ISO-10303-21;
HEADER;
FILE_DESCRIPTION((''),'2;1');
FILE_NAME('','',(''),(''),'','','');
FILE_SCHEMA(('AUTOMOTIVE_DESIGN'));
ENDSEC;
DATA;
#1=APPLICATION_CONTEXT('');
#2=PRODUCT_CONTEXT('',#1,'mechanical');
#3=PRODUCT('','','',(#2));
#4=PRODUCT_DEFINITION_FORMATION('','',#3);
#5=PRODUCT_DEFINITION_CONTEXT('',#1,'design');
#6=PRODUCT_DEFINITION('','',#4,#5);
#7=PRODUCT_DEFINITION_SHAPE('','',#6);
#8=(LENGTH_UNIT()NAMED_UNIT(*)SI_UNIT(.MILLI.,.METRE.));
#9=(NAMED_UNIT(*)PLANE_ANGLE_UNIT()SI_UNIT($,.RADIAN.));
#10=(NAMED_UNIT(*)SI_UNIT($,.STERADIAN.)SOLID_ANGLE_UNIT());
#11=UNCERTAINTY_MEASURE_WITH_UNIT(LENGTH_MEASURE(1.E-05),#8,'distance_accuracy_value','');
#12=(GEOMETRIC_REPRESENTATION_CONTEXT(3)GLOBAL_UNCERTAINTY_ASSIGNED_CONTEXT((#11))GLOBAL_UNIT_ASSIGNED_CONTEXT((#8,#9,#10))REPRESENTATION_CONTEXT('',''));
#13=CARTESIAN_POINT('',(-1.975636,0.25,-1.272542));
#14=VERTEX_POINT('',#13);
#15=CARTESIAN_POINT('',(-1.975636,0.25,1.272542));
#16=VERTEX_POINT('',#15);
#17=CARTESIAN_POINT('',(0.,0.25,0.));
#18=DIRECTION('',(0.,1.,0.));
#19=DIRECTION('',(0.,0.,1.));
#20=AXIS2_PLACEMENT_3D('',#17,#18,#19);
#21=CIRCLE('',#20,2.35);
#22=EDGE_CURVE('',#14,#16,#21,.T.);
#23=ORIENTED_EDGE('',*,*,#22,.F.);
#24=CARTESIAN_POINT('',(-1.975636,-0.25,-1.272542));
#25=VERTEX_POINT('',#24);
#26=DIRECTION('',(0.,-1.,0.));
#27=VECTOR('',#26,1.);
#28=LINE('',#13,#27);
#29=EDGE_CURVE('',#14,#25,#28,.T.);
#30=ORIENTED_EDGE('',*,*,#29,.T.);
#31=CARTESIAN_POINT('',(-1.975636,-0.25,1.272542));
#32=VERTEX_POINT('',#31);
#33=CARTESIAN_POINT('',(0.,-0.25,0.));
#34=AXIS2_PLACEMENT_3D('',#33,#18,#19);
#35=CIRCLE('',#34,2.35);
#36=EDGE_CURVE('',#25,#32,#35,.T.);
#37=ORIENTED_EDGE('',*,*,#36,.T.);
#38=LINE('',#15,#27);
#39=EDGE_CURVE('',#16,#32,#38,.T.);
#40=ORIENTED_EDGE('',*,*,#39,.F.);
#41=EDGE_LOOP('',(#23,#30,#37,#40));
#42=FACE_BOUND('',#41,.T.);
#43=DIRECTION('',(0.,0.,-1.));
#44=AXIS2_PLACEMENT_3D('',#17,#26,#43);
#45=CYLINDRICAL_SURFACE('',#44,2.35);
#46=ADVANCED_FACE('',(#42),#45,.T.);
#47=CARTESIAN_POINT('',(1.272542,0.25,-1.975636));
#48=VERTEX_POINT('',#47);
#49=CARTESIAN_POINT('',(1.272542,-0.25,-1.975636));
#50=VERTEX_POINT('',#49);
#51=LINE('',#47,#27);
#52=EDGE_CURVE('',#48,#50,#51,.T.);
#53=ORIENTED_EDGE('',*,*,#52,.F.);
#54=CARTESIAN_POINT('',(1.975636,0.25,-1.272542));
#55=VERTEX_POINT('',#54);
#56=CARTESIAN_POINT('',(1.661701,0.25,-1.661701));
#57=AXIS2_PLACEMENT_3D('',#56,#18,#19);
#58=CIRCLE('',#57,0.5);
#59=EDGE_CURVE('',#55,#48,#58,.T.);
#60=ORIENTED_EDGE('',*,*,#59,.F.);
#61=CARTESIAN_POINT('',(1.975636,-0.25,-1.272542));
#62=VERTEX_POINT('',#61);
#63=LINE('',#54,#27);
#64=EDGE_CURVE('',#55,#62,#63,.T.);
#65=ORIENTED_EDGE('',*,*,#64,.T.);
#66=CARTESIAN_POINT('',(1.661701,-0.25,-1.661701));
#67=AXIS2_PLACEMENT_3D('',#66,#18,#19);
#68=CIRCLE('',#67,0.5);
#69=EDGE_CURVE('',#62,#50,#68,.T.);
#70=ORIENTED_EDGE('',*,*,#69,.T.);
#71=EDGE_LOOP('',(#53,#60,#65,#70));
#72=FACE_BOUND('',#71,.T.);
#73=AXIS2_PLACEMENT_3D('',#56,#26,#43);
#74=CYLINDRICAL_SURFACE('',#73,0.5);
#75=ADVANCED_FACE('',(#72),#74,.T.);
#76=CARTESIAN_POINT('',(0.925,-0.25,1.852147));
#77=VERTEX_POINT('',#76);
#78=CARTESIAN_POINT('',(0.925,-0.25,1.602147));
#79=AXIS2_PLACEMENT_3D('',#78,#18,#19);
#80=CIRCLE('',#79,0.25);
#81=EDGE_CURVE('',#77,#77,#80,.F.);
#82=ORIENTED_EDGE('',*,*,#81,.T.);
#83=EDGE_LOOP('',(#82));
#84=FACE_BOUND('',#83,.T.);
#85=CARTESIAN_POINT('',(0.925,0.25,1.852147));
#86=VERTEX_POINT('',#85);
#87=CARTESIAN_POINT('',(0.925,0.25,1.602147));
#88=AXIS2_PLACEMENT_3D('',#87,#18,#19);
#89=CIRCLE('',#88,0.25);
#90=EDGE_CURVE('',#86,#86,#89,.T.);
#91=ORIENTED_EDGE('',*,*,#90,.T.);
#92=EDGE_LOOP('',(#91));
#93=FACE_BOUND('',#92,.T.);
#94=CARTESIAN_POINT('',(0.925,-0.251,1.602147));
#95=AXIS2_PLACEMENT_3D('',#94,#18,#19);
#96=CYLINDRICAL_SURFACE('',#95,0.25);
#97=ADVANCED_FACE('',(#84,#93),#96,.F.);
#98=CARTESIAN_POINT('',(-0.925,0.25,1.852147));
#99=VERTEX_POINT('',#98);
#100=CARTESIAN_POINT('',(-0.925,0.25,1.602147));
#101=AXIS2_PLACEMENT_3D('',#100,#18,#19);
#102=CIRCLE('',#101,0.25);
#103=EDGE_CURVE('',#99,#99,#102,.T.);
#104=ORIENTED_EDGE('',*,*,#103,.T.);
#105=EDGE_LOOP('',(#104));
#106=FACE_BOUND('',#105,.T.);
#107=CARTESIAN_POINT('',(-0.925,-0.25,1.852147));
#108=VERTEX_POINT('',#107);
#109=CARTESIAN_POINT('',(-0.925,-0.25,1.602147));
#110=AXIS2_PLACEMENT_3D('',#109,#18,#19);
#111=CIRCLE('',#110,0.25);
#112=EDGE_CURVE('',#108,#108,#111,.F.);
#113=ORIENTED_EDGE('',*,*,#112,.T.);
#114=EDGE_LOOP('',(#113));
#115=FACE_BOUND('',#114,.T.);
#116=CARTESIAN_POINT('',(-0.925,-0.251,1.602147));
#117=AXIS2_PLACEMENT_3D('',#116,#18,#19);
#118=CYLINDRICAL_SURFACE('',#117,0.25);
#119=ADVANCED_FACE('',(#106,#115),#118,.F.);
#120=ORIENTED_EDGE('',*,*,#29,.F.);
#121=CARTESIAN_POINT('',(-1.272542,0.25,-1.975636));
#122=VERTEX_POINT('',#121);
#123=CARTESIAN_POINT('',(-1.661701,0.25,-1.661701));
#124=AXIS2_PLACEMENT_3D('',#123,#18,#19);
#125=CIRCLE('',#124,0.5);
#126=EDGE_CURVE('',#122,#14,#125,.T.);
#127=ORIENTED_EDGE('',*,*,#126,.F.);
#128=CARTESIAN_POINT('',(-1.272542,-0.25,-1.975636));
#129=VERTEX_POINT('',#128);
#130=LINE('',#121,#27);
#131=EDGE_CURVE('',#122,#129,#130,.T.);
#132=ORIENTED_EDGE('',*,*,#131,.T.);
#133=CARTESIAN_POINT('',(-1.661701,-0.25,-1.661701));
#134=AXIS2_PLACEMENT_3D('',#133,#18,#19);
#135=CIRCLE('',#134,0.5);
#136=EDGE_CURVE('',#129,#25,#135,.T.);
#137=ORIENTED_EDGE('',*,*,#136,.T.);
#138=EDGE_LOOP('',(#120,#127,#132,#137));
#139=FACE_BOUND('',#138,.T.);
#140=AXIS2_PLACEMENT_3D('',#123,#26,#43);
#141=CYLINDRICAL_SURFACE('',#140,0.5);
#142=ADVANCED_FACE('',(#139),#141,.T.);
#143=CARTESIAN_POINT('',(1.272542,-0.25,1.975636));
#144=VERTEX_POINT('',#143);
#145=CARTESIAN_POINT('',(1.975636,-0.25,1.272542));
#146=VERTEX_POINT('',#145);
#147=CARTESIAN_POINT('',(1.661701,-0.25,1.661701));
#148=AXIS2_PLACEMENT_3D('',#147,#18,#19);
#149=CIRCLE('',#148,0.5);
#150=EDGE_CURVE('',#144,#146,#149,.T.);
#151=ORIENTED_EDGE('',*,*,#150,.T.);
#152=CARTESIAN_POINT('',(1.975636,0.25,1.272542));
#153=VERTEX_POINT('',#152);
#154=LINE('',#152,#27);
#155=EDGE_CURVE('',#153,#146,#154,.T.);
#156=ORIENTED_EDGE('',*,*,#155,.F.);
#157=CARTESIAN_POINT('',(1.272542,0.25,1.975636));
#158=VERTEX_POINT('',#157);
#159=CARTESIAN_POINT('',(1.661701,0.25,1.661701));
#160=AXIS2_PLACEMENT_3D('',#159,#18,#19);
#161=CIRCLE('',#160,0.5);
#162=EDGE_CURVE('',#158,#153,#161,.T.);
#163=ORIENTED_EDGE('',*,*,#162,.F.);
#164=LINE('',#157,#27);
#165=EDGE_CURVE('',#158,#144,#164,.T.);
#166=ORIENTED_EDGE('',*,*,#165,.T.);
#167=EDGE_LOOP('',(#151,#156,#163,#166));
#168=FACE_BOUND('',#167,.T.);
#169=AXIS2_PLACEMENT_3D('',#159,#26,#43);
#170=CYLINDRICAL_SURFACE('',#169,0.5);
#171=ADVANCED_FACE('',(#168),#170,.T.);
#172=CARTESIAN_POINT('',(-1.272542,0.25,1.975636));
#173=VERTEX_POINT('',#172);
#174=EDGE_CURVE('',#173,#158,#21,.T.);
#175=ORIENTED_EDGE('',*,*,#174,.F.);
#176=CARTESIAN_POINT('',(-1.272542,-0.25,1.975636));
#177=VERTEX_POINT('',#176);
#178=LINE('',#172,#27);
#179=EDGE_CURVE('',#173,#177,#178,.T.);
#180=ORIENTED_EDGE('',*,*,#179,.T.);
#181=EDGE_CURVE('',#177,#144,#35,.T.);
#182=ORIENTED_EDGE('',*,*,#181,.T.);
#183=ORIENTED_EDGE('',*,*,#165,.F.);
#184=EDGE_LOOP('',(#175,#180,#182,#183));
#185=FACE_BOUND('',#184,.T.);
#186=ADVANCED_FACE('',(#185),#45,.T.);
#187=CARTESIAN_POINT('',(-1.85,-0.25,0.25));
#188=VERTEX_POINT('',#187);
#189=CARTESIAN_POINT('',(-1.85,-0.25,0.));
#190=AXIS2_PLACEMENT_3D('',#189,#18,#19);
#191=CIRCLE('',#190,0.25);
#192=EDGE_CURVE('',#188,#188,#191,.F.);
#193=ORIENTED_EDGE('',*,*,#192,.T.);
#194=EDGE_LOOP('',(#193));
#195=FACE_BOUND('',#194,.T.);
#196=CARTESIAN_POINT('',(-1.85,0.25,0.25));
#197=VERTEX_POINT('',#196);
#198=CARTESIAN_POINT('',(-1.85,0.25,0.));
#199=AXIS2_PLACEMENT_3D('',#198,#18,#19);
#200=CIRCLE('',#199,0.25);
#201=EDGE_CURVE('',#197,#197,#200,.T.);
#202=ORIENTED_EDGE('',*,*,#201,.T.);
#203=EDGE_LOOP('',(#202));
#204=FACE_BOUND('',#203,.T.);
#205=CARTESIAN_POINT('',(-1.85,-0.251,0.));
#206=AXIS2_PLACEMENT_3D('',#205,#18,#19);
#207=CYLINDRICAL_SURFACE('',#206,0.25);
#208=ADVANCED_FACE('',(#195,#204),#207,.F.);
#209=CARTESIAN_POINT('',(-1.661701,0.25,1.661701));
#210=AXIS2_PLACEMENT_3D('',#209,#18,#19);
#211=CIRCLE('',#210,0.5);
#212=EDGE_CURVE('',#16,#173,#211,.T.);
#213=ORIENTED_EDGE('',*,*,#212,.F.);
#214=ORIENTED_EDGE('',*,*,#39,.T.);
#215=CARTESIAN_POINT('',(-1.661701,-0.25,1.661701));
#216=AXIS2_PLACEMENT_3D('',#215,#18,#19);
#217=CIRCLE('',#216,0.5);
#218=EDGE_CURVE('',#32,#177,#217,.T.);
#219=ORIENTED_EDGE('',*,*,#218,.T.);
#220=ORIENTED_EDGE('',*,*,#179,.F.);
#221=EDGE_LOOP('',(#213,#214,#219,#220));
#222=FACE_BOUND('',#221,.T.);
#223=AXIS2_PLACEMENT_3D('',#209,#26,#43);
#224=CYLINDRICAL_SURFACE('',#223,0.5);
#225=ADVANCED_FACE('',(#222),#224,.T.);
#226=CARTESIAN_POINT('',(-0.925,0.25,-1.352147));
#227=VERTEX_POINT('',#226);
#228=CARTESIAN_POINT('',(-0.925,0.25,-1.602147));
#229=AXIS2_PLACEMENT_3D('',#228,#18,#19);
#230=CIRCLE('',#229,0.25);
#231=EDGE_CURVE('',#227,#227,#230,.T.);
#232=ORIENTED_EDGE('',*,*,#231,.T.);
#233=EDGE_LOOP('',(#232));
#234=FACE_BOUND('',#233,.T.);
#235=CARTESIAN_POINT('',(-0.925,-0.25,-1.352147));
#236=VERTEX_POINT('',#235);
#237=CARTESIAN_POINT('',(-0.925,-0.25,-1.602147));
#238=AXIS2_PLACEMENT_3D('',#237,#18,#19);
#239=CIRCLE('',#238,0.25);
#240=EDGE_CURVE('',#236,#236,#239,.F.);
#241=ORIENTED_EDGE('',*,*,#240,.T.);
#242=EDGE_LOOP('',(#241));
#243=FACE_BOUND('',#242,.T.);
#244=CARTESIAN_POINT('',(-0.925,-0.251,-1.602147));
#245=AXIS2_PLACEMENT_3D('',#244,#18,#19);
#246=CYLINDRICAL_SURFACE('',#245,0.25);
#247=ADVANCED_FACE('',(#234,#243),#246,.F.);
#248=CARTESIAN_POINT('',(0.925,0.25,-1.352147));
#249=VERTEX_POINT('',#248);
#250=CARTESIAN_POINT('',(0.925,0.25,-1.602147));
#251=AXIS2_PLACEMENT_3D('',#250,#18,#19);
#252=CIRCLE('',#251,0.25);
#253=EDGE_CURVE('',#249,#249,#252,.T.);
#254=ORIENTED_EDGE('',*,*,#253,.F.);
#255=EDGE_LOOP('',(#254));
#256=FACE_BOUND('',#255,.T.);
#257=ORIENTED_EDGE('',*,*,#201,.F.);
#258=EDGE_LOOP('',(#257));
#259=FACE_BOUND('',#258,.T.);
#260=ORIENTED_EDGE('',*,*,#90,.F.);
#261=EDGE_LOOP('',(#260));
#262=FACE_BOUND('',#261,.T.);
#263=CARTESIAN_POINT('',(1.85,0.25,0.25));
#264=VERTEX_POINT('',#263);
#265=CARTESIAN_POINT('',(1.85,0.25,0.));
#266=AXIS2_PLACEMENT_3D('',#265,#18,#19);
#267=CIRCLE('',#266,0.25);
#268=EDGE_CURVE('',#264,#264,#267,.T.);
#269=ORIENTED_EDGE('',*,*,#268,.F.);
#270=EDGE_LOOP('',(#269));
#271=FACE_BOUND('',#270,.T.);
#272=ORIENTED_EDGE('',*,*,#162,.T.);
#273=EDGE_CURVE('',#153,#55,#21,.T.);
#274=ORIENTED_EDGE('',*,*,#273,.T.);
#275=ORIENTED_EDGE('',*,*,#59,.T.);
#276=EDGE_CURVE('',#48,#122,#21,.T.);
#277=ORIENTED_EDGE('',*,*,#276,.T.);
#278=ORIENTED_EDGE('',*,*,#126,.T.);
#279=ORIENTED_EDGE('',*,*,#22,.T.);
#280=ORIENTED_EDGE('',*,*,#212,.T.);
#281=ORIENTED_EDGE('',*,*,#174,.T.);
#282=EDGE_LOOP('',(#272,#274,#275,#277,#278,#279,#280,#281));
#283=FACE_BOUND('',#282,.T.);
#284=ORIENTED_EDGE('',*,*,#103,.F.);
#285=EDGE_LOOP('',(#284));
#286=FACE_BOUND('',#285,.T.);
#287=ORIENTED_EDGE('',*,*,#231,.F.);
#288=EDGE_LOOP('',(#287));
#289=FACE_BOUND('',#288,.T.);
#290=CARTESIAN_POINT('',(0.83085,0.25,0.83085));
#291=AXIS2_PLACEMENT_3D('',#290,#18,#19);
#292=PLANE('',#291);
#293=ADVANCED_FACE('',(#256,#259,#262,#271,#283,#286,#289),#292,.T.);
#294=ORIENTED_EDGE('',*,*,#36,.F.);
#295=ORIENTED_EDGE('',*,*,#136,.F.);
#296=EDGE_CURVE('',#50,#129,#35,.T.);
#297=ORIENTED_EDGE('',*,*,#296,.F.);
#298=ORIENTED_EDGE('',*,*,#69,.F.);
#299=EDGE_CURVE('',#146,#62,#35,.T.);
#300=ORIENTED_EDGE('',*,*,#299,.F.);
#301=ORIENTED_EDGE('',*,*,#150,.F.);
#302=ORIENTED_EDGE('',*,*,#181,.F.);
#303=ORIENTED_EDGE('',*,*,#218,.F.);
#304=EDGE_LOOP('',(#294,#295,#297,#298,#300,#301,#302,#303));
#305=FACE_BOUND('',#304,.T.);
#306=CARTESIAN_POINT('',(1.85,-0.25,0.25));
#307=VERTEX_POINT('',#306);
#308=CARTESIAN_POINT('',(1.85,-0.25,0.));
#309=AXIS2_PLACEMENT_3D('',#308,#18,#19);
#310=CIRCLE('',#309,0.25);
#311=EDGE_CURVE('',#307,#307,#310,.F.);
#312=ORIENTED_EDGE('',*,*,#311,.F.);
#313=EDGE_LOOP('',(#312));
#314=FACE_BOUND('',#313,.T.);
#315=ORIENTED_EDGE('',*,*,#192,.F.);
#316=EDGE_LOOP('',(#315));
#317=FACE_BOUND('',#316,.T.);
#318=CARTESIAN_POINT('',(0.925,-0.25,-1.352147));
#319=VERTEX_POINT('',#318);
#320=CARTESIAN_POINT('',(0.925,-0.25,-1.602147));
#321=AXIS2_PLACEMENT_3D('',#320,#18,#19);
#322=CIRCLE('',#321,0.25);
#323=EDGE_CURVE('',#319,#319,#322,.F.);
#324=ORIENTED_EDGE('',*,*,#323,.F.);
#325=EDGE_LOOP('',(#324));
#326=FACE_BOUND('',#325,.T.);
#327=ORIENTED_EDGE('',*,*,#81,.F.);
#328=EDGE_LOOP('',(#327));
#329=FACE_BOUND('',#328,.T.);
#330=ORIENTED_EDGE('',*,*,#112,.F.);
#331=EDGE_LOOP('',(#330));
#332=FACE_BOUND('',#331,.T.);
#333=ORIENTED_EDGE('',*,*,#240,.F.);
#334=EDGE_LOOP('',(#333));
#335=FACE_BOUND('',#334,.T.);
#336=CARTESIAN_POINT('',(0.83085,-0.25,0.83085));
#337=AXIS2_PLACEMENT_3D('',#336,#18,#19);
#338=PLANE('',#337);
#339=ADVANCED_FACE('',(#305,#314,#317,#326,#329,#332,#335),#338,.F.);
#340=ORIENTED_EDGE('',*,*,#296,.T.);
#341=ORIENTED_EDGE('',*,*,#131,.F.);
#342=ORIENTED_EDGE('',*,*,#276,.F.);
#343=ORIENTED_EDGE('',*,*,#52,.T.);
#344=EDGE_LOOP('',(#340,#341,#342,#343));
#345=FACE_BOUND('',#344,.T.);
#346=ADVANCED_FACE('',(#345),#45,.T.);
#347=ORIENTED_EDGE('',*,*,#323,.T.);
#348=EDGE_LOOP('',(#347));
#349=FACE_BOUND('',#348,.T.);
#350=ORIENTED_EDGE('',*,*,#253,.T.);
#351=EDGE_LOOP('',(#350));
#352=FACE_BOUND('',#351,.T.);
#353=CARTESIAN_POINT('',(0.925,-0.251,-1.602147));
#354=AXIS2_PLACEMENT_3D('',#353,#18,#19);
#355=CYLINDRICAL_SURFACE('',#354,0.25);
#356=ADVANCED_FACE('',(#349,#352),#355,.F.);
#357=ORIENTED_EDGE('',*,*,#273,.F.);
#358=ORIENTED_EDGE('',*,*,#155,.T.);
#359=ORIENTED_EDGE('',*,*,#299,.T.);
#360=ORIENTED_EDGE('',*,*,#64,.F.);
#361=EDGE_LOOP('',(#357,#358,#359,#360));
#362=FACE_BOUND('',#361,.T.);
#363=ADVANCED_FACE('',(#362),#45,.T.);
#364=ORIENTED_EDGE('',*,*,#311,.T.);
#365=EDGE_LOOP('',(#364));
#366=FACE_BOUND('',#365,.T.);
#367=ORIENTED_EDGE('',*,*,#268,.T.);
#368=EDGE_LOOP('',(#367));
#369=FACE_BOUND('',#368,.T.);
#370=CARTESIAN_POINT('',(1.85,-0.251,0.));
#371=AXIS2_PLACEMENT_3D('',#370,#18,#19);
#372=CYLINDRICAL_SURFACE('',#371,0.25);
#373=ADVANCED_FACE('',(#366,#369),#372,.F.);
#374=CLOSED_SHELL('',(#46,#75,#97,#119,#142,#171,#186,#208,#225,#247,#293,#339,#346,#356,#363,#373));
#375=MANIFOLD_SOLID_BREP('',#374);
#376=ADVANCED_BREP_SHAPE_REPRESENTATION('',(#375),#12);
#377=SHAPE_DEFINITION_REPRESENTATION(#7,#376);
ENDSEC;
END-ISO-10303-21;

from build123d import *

# Parameters (mm, degrees)
BOSS_EXTRUDE1_DEPTH = 0.25
CUT_EXTRUDE1_REACH  = 2.5
SKETCH2_R           = 0.25


with BuildPart() as part:
    # Sketch1 → Boss-Extrude1 (new body, symmetric)
    with BuildSketch(Plane(origin=(0, 0, 0), x_dir=(1, 0, 0), z_dir=(0, 1, 0))):
        with BuildLine():
            ThreePointArc((-1.975635929, 1.272541817), (-2.35, 0), (-1.975635929, -1.272541817))
            ThreePointArc((-1.975635929, -1.272541817), (-2.015254326, -2.015254326), (-1.272541817, -1.975635929))
            ThreePointArc((-1.272541817, -1.975635929), (0, -2.35), (1.272541817, -1.975635929))
            ThreePointArc((1.272541817, -1.975635929), (2.015254326, -2.015254326), (1.975635929, -1.272541817))
            ThreePointArc((1.975635929, -1.272541817), (2.35, 0), (1.975635929, 1.272541817))
            ThreePointArc((1.975635929, 1.272541817), (2.015254326, 2.015254326), (1.272541817, 1.975635929))
            ThreePointArc((1.272541817, 1.975635929), (0, 2.35), (-1.272541817, 1.975635929))
            ThreePointArc((-1.272541817, 1.975635929), (-2.015254326, 2.015254326), (-1.975635929, 1.272541817))
        make_face()
    extrude(amount=BOSS_EXTRUDE1_DEPTH, both=True)

    # Sketch2 → Cut-Extrude1 (cut, up to next)
    with BuildSketch(Plane(origin=(0, 0.25, 0), x_dir=(1, 0, 0), z_dir=(0, 1, 0)), mode=Mode.PRIVATE) as cut_extrude1_sk1:
        with Locations((-1.85, 0)):
            Circle(SKETCH2_R)
    cut_extrude1_tool1 = extrude(cut_extrude1_sk1.sketch, amount=-CUT_EXTRUDE1_REACH, mode=Mode.PRIVATE) & part.part
    add(cut_extrude1_tool1.solids().sort_by_distance((-1.85, 0.25, 0))[0], mode=Mode.SUBTRACT)
    # Sketch2 → Cut-Extrude1 (cut, up to next)
    with BuildSketch(Plane(origin=(0, 0.25, 0), x_dir=(1, 0, 0), z_dir=(0, 1, 0)), mode=Mode.PRIVATE) as cut_extrude1_sk2:
        with Locations((-0.925, 1.602146997)):
            Circle(SKETCH2_R)
    cut_extrude1_tool2 = extrude(cut_extrude1_sk2.sketch, amount=-CUT_EXTRUDE1_REACH, mode=Mode.PRIVATE) & part.part
    add(cut_extrude1_tool2.solids().sort_by_distance((-0.925, 0.25, -1.602147))[0], mode=Mode.SUBTRACT)
    # Sketch2 → Cut-Extrude1 (cut, up to next)
    with BuildSketch(Plane(origin=(0, 0.25, 0), x_dir=(1, 0, 0), z_dir=(0, 1, 0)), mode=Mode.PRIVATE) as cut_extrude1_sk3:
        with Locations((0.925, 1.602146997)):
            Circle(SKETCH2_R)
    cut_extrude1_tool3 = extrude(cut_extrude1_sk3.sketch, amount=-CUT_EXTRUDE1_REACH, mode=Mode.PRIVATE) & part.part
    add(cut_extrude1_tool3.solids().sort_by_distance((0.925, 0.25, -1.602147))[0], mode=Mode.SUBTRACT)
    # Sketch2 → Cut-Extrude1 (cut, up to next)
    with BuildSketch(Plane(origin=(0, 0.25, 0), x_dir=(1, 0, 0), z_dir=(0, 1, 0)), mode=Mode.PRIVATE) as cut_extrude1_sk4:
        with Locations((1.85, 0)):
            Circle(SKETCH2_R)
    cut_extrude1_tool4 = extrude(cut_extrude1_sk4.sketch, amount=-CUT_EXTRUDE1_REACH, mode=Mode.PRIVATE) & part.part
    add(cut_extrude1_tool4.solids().sort_by_distance((1.85, 0.25, 0))[0], mode=Mode.SUBTRACT)
    # Sketch2 → Cut-Extrude1 (cut, up to next)
    with BuildSketch(Plane(origin=(0, 0.25, 0), x_dir=(1, 0, 0), z_dir=(0, 1, 0)), mode=Mode.PRIVATE) as cut_extrude1_sk5:
        with Locations((0.925, -1.602146997)):
            Circle(SKETCH2_R)
    cut_extrude1_tool5 = extrude(cut_extrude1_sk5.sketch, amount=-CUT_EXTRUDE1_REACH, mode=Mode.PRIVATE) & part.part
    add(cut_extrude1_tool5.solids().sort_by_distance((0.925, 0.25, 1.602147))[0], mode=Mode.SUBTRACT)
    # Sketch2 → Cut-Extrude1 (cut, up to next)
    with BuildSketch(Plane(origin=(0, 0.25, 0), x_dir=(1, 0, 0), z_dir=(0, 1, 0)), mode=Mode.PRIVATE) as cut_extrude1_sk6:
        with Locations((-0.925, -1.602146997)):
            Circle(SKETCH2_R)
    cut_extrude1_tool6 = extrude(cut_extrude1_sk6.sketch, amount=-CUT_EXTRUDE1_REACH, mode=Mode.PRIVATE) & part.part
    add(cut_extrude1_tool6.solids().sort_by_distance((-0.925, 0.25, 1.602147))[0], mode=Mode.SUBTRACT)


solid = part.part
